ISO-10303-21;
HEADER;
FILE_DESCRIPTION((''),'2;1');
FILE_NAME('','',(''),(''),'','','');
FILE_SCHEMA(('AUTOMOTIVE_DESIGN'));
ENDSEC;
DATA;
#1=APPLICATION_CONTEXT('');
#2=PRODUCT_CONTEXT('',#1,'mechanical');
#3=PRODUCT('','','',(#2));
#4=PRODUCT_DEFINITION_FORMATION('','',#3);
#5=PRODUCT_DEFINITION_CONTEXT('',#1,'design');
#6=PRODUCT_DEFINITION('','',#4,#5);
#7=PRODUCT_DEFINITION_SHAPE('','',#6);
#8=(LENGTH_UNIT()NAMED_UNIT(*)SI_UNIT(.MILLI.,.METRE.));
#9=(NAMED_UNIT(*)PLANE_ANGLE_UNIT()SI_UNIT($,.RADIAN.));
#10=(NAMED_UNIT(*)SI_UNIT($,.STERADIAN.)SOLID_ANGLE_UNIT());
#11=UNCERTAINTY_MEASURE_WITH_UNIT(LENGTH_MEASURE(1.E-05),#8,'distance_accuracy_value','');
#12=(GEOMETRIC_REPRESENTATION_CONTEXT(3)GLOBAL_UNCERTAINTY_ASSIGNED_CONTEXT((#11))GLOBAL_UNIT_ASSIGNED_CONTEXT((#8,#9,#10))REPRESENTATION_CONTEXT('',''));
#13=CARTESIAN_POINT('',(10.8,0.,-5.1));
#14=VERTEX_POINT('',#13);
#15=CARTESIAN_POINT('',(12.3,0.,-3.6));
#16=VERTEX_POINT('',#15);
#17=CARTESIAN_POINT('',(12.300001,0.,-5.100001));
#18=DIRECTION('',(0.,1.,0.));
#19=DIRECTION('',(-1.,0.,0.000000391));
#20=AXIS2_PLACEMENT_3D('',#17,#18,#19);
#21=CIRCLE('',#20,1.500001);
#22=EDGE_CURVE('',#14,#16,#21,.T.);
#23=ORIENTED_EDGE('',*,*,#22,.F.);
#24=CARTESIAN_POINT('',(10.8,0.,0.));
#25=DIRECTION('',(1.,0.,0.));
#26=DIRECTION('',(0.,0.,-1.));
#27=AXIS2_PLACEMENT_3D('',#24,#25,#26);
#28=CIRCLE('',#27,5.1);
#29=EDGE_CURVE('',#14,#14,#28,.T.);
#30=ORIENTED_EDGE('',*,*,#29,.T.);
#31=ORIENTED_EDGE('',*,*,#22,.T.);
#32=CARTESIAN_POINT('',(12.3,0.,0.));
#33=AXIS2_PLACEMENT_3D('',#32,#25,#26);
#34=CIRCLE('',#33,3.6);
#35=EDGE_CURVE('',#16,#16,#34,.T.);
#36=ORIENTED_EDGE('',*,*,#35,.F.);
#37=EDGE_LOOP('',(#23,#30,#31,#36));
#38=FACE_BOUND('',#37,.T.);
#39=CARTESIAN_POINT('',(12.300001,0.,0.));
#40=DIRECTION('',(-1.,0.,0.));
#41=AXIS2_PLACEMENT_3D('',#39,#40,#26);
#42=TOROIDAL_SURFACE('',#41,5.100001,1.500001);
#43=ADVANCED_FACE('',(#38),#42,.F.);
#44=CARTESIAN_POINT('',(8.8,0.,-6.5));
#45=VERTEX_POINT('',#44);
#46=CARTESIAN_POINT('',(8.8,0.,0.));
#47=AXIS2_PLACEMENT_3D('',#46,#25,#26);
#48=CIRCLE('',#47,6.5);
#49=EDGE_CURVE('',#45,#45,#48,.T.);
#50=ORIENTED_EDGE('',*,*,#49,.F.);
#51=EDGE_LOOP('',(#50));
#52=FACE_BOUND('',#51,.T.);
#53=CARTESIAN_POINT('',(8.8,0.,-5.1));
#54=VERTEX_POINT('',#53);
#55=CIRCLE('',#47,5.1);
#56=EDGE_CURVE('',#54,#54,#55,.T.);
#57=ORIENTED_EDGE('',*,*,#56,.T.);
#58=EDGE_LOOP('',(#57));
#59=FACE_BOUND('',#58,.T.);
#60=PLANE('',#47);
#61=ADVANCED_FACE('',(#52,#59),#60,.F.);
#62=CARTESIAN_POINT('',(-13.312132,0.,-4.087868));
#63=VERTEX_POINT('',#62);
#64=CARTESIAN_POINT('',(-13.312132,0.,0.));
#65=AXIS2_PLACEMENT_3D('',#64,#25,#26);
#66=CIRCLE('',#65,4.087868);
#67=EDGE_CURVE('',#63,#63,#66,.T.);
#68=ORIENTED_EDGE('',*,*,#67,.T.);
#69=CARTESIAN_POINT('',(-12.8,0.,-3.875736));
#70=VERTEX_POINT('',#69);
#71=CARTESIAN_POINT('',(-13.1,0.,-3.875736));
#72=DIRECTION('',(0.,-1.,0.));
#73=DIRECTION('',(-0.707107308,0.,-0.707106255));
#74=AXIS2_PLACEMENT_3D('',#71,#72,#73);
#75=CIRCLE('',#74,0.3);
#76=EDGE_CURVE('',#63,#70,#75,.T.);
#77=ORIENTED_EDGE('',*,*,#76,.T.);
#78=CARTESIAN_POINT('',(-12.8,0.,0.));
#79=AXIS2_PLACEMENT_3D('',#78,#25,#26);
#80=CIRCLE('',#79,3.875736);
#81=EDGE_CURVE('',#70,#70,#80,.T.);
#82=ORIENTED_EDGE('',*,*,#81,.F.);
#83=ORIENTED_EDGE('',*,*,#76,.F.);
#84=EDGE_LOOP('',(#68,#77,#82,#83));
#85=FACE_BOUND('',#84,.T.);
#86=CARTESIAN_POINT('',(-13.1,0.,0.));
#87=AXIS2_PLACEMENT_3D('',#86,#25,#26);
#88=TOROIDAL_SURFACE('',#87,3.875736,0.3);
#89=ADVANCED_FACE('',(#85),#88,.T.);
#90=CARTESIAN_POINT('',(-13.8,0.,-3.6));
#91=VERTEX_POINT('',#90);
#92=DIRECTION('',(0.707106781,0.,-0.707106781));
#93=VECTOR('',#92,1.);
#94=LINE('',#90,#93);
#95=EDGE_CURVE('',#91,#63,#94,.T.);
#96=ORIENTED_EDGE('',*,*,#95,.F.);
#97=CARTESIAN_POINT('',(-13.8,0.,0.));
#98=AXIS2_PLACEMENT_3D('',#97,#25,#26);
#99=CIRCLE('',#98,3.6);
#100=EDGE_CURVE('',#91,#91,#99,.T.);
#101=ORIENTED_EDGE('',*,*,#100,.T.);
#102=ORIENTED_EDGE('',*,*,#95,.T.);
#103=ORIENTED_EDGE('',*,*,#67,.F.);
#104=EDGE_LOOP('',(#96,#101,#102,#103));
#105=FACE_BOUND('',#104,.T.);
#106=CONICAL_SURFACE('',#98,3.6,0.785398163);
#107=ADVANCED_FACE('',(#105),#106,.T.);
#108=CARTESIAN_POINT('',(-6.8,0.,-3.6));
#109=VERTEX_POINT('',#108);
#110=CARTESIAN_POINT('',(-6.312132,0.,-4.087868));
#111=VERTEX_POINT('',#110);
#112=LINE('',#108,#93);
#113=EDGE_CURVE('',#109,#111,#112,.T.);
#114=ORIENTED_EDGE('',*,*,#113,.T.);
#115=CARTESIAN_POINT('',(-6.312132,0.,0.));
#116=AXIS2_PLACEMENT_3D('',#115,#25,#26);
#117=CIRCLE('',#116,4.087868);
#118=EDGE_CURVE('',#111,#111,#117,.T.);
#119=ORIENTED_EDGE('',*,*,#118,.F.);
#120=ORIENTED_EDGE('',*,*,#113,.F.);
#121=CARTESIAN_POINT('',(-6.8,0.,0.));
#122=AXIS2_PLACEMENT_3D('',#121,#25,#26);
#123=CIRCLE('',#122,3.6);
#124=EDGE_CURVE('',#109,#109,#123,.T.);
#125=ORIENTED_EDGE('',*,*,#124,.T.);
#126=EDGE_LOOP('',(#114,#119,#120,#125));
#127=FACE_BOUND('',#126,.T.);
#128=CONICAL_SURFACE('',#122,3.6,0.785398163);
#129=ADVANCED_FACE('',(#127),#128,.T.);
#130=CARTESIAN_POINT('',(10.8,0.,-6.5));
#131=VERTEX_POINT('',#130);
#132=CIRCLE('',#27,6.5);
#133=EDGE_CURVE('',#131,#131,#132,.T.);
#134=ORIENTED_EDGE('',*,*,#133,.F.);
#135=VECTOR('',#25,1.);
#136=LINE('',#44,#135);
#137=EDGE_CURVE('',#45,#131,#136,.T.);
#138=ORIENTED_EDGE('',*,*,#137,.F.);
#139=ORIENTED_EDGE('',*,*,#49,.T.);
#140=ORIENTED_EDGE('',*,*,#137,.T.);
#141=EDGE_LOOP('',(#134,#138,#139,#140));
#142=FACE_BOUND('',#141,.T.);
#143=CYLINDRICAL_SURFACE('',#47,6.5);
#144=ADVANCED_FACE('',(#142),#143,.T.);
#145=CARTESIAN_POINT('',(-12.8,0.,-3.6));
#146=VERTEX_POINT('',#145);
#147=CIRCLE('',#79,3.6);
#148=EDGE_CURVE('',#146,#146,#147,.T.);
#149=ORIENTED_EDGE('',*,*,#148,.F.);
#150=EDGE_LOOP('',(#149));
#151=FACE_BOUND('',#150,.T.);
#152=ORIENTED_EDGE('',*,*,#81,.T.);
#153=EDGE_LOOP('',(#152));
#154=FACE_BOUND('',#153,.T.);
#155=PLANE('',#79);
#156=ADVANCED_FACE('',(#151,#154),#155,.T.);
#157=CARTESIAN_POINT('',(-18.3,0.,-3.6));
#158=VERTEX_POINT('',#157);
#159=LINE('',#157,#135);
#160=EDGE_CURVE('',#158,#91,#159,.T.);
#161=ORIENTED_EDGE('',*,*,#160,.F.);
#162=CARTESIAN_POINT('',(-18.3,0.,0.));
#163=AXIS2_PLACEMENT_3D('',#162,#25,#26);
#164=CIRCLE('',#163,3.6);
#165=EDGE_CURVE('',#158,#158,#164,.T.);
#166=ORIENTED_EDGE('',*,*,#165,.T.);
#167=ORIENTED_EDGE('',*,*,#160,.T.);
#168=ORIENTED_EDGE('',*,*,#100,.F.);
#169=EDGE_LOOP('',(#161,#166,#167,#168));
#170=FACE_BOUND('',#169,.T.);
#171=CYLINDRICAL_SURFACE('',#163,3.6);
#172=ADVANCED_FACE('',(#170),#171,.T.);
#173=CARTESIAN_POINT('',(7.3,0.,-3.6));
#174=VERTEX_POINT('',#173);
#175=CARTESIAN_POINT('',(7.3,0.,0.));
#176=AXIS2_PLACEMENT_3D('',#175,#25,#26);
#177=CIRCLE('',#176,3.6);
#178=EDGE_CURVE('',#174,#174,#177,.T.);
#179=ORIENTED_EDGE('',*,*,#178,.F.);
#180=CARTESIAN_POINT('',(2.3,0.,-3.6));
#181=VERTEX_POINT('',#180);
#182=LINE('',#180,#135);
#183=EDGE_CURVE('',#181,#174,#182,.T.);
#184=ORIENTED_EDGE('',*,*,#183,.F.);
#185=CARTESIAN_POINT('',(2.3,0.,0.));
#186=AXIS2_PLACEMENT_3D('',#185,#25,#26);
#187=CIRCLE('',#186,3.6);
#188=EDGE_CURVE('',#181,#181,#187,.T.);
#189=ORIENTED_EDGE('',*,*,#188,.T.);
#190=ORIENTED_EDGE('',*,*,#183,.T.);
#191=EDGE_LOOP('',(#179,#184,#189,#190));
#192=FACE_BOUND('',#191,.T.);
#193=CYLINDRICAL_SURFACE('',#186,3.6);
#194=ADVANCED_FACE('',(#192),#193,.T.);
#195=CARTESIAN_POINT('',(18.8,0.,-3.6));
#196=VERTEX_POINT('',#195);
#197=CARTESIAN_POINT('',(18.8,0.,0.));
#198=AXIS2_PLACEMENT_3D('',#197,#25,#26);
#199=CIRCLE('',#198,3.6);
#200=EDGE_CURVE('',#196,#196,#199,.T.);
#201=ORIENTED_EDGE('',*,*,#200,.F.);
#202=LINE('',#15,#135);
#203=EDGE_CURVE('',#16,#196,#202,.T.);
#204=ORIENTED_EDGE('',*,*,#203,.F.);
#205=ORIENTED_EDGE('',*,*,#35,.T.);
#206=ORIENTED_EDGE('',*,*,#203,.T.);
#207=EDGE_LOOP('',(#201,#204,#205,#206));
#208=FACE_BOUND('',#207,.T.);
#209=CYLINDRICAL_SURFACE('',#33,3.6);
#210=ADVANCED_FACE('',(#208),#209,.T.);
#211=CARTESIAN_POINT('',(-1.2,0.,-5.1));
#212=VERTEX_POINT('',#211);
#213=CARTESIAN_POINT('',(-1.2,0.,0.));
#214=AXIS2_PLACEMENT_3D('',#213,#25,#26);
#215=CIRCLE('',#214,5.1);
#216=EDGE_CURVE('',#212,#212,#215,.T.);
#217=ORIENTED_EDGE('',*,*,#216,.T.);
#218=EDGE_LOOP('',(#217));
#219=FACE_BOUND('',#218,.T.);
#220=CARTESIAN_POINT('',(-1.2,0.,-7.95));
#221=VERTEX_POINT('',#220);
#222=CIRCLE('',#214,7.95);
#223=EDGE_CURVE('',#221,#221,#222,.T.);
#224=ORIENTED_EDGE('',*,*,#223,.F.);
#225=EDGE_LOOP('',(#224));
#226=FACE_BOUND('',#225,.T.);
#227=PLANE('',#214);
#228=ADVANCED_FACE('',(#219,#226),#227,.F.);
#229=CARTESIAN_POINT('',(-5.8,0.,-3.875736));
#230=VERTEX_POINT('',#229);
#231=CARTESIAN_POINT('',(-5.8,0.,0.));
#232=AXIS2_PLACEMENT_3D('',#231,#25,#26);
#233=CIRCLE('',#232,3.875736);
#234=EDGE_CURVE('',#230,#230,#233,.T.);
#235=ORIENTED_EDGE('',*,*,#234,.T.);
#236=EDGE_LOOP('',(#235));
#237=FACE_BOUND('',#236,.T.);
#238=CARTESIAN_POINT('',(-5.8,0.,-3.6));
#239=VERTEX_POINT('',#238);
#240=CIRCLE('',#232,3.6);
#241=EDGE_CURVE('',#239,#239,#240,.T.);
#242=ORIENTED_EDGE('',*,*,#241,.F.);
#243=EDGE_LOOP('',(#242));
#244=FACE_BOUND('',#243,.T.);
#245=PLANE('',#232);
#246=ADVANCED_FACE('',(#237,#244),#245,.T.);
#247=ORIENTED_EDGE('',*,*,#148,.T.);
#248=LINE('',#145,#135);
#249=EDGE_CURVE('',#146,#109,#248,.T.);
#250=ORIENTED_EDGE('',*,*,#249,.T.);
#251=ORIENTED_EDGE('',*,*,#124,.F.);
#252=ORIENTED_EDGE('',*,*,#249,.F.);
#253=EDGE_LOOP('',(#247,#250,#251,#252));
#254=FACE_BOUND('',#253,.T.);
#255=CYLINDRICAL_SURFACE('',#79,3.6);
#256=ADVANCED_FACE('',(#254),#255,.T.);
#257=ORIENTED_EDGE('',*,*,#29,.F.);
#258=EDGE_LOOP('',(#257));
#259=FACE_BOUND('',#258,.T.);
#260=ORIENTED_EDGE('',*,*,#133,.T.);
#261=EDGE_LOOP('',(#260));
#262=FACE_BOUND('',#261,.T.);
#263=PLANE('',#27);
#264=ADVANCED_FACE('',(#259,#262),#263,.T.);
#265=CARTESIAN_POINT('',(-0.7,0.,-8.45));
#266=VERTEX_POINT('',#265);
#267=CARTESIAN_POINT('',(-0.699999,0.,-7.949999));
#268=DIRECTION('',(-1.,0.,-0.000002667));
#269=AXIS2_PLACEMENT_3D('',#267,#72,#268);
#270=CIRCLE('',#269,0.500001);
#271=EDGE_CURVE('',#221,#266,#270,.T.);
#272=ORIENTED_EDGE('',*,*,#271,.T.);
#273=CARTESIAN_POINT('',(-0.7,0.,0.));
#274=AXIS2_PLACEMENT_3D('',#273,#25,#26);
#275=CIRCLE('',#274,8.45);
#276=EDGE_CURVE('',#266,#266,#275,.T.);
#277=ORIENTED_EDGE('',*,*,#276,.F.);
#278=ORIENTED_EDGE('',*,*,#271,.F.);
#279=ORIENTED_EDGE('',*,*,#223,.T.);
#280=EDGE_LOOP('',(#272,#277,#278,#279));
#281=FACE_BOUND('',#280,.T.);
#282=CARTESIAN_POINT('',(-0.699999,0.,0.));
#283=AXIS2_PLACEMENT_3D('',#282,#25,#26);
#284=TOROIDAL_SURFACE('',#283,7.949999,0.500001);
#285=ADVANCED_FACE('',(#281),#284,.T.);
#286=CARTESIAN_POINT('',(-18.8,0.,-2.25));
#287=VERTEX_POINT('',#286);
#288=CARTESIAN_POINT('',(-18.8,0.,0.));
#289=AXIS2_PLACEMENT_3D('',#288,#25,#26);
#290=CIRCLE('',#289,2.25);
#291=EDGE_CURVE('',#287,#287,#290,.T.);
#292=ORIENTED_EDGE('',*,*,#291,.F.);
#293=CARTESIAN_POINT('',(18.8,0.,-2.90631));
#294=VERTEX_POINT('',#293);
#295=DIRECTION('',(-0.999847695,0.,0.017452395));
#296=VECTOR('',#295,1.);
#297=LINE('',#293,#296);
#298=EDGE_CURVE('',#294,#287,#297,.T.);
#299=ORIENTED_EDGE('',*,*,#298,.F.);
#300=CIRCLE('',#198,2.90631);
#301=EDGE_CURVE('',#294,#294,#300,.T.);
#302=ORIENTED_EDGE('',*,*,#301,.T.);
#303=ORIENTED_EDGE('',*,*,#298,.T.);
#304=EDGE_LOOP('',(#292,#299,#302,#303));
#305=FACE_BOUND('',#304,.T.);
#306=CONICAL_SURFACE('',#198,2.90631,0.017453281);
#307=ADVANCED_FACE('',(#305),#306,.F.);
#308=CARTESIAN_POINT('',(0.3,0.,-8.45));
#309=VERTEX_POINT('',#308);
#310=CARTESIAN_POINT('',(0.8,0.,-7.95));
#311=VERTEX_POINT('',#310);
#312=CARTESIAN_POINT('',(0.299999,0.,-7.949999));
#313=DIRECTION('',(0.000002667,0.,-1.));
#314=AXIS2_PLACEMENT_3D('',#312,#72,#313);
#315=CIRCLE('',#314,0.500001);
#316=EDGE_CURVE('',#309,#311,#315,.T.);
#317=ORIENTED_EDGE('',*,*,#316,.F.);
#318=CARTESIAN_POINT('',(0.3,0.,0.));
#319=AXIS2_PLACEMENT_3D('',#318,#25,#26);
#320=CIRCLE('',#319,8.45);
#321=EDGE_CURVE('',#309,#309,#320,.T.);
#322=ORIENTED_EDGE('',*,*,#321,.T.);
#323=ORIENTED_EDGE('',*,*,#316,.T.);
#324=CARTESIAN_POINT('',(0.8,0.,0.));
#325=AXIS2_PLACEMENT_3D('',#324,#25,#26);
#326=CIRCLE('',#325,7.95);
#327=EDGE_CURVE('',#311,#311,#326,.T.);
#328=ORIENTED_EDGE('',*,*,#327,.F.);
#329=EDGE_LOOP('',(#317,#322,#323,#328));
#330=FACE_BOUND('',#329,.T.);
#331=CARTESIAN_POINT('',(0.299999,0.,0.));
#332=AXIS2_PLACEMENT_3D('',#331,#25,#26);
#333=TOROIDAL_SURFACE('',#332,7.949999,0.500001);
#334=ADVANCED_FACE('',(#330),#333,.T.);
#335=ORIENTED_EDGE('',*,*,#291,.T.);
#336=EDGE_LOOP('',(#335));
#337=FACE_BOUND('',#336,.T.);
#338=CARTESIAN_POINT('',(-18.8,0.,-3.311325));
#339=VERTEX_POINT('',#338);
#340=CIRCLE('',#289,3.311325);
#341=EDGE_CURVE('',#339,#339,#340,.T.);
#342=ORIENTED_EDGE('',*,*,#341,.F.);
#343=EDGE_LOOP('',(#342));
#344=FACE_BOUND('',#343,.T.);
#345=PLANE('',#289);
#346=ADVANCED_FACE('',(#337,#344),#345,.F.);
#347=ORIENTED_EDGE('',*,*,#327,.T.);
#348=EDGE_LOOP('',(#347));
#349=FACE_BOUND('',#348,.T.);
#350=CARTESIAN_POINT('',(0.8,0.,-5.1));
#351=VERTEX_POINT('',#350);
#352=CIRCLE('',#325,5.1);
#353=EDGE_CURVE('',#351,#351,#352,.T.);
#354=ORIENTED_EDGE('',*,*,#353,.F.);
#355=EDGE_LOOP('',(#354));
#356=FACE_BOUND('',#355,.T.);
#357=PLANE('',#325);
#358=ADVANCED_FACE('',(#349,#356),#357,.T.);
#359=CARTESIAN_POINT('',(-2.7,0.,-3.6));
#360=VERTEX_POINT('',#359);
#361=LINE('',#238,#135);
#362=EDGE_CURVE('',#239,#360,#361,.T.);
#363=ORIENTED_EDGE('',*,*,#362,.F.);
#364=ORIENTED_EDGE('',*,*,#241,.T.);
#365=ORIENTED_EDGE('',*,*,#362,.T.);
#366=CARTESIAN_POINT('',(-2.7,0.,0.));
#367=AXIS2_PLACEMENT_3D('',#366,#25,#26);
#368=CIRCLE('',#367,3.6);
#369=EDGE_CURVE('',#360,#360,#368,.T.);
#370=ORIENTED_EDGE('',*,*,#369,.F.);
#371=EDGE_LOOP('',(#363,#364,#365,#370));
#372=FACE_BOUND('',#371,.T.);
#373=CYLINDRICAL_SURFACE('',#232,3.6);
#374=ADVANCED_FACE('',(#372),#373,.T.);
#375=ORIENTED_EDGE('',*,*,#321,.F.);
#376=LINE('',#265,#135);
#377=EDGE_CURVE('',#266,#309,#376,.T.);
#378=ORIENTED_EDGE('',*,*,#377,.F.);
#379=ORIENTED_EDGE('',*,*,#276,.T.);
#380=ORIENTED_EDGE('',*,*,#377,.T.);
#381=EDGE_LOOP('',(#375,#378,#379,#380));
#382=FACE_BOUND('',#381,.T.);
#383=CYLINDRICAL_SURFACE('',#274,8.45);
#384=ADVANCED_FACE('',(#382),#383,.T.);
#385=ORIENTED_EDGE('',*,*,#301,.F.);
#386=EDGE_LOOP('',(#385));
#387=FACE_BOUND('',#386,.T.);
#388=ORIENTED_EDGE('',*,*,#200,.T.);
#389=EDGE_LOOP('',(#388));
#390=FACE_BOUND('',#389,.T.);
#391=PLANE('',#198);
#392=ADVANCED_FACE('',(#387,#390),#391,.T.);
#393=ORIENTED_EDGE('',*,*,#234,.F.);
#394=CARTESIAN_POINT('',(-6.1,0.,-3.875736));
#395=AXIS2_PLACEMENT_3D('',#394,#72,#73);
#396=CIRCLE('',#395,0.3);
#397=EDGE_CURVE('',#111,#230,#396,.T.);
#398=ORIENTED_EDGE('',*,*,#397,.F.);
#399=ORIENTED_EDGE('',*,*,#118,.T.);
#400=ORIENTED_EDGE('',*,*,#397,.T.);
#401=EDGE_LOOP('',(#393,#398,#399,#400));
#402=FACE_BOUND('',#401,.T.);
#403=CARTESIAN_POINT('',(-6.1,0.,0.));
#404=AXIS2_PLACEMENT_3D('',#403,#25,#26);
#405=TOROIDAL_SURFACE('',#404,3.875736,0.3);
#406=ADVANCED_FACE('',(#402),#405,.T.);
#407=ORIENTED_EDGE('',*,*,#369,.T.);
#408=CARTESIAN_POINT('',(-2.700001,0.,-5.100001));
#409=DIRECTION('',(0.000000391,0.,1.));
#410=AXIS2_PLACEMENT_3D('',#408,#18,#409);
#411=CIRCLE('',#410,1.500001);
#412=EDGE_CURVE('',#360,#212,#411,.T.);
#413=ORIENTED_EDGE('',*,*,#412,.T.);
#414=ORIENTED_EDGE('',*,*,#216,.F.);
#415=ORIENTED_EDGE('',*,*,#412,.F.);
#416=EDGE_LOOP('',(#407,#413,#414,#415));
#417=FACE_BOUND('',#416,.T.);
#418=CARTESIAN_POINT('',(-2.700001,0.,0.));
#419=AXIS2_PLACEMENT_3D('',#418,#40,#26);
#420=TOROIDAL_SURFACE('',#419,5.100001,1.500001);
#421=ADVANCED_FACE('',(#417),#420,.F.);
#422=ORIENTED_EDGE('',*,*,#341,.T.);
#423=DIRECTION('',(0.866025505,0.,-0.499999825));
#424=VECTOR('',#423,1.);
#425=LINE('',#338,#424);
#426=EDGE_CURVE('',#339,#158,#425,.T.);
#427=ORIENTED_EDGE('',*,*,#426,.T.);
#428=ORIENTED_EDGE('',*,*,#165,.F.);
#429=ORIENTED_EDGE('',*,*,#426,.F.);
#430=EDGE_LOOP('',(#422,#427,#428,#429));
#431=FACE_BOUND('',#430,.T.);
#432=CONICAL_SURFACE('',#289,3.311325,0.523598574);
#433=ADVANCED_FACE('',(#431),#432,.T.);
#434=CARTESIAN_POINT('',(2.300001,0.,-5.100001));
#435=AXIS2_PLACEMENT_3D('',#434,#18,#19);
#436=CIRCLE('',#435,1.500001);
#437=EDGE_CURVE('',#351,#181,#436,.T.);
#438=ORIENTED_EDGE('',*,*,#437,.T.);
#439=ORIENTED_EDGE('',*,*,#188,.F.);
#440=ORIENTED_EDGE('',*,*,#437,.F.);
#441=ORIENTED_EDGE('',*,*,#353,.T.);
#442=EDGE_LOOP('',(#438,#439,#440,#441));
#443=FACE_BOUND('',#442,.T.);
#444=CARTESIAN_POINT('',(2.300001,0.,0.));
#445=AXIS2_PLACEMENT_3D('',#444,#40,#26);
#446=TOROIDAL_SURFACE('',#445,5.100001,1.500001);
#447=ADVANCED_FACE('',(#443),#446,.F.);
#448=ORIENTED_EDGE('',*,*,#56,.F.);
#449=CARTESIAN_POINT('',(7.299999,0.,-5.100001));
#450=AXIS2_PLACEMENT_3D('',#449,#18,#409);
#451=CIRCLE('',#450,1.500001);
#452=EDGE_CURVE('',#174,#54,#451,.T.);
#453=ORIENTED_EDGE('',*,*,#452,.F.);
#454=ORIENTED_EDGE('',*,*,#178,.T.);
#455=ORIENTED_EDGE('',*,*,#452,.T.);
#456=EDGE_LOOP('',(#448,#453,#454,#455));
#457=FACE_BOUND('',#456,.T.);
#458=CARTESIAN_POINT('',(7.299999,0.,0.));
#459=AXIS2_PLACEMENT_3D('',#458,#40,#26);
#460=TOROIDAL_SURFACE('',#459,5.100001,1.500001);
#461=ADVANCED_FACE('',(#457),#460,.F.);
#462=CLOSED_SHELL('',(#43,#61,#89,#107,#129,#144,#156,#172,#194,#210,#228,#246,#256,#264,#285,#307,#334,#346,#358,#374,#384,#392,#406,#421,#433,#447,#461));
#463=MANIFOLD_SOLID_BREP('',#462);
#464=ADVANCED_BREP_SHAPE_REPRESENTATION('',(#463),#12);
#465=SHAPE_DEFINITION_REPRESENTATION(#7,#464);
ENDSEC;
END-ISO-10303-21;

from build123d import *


with BuildPart() as f1:
    # F0 (on Front) → F1 (revolve)
    with BuildSketch(Plane.XZ):
        with BuildLine():
            Line((18.8, -2.90631), (-18.8, -2.25))
            Line((-18.8, -2.25), (-18.8, -3.311325))
            Line((-18.8, -3.311325), (-18.3, -3.6))
            Line((-18.3, -3.6), (-13.8, -3.6))
            Line((-13.8, -3.6), (-13.312132, -4.087868))
            ThreePointArc((-13.312132, -4.087868), (-12.985195, -4.1529), (-12.8, -3.875736))
            Line((-12.8, -3.875736), (-12.8, -3.6))
            Line((-12.8, -3.6), (-6.8, -3.6))
            Line((-6.8, -3.6), (-6.312132, -4.087868))
            ThreePointArc((-6.312132, -4.087868), (-5.985195, -4.1529), (-5.8, -3.875736))
            Line((-5.8, -3.875736), (-5.8, -3.6))
            Line((-5.8, -3.6), (-2.7, -3.6))
            ThreePointArc((-2.7, -3.6), (-1.63934, -4.03934), (-1.2, -5.1))
            Line((-1.2, -5.1), (-1.2, -7.95))
            ThreePointArc((-1.2, -7.95), (-1.053553, -8.303553), (-0.7, -8.45))
            Line((-0.7, -8.45), (0.3, -8.45))
            ThreePointArc((0.3, -8.45), (0.653553, -8.303553), (0.8, -7.95))
            Line((0.8, -7.95), (0.8, -5.1))
            ThreePointArc((0.8, -5.1), (1.23934, -4.03934), (2.3, -3.6))
            Line((2.3, -3.6), (7.3, -3.6))
            ThreePointArc((7.3, -3.6), (8.36066, -4.03934), (8.8, -5.1))
            Line((8.8, -5.1), (8.8, -6.5))
            Line((8.8, -6.5), (10.8, -6.5))
            Line((10.8, -6.5), (10.8, -5.1))
            ThreePointArc((10.8, -5.1), (11.23934, -4.03934), (12.3, -3.6))
            Line((12.3, -3.6), (18.8, -3.6))
            Line((18.8, -3.6), (18.8, -2.90631))
        make_face()
    revolve(axis=Axis((-0.050494, 0, 0), (1, 0, 0)))


solid = f1.part
